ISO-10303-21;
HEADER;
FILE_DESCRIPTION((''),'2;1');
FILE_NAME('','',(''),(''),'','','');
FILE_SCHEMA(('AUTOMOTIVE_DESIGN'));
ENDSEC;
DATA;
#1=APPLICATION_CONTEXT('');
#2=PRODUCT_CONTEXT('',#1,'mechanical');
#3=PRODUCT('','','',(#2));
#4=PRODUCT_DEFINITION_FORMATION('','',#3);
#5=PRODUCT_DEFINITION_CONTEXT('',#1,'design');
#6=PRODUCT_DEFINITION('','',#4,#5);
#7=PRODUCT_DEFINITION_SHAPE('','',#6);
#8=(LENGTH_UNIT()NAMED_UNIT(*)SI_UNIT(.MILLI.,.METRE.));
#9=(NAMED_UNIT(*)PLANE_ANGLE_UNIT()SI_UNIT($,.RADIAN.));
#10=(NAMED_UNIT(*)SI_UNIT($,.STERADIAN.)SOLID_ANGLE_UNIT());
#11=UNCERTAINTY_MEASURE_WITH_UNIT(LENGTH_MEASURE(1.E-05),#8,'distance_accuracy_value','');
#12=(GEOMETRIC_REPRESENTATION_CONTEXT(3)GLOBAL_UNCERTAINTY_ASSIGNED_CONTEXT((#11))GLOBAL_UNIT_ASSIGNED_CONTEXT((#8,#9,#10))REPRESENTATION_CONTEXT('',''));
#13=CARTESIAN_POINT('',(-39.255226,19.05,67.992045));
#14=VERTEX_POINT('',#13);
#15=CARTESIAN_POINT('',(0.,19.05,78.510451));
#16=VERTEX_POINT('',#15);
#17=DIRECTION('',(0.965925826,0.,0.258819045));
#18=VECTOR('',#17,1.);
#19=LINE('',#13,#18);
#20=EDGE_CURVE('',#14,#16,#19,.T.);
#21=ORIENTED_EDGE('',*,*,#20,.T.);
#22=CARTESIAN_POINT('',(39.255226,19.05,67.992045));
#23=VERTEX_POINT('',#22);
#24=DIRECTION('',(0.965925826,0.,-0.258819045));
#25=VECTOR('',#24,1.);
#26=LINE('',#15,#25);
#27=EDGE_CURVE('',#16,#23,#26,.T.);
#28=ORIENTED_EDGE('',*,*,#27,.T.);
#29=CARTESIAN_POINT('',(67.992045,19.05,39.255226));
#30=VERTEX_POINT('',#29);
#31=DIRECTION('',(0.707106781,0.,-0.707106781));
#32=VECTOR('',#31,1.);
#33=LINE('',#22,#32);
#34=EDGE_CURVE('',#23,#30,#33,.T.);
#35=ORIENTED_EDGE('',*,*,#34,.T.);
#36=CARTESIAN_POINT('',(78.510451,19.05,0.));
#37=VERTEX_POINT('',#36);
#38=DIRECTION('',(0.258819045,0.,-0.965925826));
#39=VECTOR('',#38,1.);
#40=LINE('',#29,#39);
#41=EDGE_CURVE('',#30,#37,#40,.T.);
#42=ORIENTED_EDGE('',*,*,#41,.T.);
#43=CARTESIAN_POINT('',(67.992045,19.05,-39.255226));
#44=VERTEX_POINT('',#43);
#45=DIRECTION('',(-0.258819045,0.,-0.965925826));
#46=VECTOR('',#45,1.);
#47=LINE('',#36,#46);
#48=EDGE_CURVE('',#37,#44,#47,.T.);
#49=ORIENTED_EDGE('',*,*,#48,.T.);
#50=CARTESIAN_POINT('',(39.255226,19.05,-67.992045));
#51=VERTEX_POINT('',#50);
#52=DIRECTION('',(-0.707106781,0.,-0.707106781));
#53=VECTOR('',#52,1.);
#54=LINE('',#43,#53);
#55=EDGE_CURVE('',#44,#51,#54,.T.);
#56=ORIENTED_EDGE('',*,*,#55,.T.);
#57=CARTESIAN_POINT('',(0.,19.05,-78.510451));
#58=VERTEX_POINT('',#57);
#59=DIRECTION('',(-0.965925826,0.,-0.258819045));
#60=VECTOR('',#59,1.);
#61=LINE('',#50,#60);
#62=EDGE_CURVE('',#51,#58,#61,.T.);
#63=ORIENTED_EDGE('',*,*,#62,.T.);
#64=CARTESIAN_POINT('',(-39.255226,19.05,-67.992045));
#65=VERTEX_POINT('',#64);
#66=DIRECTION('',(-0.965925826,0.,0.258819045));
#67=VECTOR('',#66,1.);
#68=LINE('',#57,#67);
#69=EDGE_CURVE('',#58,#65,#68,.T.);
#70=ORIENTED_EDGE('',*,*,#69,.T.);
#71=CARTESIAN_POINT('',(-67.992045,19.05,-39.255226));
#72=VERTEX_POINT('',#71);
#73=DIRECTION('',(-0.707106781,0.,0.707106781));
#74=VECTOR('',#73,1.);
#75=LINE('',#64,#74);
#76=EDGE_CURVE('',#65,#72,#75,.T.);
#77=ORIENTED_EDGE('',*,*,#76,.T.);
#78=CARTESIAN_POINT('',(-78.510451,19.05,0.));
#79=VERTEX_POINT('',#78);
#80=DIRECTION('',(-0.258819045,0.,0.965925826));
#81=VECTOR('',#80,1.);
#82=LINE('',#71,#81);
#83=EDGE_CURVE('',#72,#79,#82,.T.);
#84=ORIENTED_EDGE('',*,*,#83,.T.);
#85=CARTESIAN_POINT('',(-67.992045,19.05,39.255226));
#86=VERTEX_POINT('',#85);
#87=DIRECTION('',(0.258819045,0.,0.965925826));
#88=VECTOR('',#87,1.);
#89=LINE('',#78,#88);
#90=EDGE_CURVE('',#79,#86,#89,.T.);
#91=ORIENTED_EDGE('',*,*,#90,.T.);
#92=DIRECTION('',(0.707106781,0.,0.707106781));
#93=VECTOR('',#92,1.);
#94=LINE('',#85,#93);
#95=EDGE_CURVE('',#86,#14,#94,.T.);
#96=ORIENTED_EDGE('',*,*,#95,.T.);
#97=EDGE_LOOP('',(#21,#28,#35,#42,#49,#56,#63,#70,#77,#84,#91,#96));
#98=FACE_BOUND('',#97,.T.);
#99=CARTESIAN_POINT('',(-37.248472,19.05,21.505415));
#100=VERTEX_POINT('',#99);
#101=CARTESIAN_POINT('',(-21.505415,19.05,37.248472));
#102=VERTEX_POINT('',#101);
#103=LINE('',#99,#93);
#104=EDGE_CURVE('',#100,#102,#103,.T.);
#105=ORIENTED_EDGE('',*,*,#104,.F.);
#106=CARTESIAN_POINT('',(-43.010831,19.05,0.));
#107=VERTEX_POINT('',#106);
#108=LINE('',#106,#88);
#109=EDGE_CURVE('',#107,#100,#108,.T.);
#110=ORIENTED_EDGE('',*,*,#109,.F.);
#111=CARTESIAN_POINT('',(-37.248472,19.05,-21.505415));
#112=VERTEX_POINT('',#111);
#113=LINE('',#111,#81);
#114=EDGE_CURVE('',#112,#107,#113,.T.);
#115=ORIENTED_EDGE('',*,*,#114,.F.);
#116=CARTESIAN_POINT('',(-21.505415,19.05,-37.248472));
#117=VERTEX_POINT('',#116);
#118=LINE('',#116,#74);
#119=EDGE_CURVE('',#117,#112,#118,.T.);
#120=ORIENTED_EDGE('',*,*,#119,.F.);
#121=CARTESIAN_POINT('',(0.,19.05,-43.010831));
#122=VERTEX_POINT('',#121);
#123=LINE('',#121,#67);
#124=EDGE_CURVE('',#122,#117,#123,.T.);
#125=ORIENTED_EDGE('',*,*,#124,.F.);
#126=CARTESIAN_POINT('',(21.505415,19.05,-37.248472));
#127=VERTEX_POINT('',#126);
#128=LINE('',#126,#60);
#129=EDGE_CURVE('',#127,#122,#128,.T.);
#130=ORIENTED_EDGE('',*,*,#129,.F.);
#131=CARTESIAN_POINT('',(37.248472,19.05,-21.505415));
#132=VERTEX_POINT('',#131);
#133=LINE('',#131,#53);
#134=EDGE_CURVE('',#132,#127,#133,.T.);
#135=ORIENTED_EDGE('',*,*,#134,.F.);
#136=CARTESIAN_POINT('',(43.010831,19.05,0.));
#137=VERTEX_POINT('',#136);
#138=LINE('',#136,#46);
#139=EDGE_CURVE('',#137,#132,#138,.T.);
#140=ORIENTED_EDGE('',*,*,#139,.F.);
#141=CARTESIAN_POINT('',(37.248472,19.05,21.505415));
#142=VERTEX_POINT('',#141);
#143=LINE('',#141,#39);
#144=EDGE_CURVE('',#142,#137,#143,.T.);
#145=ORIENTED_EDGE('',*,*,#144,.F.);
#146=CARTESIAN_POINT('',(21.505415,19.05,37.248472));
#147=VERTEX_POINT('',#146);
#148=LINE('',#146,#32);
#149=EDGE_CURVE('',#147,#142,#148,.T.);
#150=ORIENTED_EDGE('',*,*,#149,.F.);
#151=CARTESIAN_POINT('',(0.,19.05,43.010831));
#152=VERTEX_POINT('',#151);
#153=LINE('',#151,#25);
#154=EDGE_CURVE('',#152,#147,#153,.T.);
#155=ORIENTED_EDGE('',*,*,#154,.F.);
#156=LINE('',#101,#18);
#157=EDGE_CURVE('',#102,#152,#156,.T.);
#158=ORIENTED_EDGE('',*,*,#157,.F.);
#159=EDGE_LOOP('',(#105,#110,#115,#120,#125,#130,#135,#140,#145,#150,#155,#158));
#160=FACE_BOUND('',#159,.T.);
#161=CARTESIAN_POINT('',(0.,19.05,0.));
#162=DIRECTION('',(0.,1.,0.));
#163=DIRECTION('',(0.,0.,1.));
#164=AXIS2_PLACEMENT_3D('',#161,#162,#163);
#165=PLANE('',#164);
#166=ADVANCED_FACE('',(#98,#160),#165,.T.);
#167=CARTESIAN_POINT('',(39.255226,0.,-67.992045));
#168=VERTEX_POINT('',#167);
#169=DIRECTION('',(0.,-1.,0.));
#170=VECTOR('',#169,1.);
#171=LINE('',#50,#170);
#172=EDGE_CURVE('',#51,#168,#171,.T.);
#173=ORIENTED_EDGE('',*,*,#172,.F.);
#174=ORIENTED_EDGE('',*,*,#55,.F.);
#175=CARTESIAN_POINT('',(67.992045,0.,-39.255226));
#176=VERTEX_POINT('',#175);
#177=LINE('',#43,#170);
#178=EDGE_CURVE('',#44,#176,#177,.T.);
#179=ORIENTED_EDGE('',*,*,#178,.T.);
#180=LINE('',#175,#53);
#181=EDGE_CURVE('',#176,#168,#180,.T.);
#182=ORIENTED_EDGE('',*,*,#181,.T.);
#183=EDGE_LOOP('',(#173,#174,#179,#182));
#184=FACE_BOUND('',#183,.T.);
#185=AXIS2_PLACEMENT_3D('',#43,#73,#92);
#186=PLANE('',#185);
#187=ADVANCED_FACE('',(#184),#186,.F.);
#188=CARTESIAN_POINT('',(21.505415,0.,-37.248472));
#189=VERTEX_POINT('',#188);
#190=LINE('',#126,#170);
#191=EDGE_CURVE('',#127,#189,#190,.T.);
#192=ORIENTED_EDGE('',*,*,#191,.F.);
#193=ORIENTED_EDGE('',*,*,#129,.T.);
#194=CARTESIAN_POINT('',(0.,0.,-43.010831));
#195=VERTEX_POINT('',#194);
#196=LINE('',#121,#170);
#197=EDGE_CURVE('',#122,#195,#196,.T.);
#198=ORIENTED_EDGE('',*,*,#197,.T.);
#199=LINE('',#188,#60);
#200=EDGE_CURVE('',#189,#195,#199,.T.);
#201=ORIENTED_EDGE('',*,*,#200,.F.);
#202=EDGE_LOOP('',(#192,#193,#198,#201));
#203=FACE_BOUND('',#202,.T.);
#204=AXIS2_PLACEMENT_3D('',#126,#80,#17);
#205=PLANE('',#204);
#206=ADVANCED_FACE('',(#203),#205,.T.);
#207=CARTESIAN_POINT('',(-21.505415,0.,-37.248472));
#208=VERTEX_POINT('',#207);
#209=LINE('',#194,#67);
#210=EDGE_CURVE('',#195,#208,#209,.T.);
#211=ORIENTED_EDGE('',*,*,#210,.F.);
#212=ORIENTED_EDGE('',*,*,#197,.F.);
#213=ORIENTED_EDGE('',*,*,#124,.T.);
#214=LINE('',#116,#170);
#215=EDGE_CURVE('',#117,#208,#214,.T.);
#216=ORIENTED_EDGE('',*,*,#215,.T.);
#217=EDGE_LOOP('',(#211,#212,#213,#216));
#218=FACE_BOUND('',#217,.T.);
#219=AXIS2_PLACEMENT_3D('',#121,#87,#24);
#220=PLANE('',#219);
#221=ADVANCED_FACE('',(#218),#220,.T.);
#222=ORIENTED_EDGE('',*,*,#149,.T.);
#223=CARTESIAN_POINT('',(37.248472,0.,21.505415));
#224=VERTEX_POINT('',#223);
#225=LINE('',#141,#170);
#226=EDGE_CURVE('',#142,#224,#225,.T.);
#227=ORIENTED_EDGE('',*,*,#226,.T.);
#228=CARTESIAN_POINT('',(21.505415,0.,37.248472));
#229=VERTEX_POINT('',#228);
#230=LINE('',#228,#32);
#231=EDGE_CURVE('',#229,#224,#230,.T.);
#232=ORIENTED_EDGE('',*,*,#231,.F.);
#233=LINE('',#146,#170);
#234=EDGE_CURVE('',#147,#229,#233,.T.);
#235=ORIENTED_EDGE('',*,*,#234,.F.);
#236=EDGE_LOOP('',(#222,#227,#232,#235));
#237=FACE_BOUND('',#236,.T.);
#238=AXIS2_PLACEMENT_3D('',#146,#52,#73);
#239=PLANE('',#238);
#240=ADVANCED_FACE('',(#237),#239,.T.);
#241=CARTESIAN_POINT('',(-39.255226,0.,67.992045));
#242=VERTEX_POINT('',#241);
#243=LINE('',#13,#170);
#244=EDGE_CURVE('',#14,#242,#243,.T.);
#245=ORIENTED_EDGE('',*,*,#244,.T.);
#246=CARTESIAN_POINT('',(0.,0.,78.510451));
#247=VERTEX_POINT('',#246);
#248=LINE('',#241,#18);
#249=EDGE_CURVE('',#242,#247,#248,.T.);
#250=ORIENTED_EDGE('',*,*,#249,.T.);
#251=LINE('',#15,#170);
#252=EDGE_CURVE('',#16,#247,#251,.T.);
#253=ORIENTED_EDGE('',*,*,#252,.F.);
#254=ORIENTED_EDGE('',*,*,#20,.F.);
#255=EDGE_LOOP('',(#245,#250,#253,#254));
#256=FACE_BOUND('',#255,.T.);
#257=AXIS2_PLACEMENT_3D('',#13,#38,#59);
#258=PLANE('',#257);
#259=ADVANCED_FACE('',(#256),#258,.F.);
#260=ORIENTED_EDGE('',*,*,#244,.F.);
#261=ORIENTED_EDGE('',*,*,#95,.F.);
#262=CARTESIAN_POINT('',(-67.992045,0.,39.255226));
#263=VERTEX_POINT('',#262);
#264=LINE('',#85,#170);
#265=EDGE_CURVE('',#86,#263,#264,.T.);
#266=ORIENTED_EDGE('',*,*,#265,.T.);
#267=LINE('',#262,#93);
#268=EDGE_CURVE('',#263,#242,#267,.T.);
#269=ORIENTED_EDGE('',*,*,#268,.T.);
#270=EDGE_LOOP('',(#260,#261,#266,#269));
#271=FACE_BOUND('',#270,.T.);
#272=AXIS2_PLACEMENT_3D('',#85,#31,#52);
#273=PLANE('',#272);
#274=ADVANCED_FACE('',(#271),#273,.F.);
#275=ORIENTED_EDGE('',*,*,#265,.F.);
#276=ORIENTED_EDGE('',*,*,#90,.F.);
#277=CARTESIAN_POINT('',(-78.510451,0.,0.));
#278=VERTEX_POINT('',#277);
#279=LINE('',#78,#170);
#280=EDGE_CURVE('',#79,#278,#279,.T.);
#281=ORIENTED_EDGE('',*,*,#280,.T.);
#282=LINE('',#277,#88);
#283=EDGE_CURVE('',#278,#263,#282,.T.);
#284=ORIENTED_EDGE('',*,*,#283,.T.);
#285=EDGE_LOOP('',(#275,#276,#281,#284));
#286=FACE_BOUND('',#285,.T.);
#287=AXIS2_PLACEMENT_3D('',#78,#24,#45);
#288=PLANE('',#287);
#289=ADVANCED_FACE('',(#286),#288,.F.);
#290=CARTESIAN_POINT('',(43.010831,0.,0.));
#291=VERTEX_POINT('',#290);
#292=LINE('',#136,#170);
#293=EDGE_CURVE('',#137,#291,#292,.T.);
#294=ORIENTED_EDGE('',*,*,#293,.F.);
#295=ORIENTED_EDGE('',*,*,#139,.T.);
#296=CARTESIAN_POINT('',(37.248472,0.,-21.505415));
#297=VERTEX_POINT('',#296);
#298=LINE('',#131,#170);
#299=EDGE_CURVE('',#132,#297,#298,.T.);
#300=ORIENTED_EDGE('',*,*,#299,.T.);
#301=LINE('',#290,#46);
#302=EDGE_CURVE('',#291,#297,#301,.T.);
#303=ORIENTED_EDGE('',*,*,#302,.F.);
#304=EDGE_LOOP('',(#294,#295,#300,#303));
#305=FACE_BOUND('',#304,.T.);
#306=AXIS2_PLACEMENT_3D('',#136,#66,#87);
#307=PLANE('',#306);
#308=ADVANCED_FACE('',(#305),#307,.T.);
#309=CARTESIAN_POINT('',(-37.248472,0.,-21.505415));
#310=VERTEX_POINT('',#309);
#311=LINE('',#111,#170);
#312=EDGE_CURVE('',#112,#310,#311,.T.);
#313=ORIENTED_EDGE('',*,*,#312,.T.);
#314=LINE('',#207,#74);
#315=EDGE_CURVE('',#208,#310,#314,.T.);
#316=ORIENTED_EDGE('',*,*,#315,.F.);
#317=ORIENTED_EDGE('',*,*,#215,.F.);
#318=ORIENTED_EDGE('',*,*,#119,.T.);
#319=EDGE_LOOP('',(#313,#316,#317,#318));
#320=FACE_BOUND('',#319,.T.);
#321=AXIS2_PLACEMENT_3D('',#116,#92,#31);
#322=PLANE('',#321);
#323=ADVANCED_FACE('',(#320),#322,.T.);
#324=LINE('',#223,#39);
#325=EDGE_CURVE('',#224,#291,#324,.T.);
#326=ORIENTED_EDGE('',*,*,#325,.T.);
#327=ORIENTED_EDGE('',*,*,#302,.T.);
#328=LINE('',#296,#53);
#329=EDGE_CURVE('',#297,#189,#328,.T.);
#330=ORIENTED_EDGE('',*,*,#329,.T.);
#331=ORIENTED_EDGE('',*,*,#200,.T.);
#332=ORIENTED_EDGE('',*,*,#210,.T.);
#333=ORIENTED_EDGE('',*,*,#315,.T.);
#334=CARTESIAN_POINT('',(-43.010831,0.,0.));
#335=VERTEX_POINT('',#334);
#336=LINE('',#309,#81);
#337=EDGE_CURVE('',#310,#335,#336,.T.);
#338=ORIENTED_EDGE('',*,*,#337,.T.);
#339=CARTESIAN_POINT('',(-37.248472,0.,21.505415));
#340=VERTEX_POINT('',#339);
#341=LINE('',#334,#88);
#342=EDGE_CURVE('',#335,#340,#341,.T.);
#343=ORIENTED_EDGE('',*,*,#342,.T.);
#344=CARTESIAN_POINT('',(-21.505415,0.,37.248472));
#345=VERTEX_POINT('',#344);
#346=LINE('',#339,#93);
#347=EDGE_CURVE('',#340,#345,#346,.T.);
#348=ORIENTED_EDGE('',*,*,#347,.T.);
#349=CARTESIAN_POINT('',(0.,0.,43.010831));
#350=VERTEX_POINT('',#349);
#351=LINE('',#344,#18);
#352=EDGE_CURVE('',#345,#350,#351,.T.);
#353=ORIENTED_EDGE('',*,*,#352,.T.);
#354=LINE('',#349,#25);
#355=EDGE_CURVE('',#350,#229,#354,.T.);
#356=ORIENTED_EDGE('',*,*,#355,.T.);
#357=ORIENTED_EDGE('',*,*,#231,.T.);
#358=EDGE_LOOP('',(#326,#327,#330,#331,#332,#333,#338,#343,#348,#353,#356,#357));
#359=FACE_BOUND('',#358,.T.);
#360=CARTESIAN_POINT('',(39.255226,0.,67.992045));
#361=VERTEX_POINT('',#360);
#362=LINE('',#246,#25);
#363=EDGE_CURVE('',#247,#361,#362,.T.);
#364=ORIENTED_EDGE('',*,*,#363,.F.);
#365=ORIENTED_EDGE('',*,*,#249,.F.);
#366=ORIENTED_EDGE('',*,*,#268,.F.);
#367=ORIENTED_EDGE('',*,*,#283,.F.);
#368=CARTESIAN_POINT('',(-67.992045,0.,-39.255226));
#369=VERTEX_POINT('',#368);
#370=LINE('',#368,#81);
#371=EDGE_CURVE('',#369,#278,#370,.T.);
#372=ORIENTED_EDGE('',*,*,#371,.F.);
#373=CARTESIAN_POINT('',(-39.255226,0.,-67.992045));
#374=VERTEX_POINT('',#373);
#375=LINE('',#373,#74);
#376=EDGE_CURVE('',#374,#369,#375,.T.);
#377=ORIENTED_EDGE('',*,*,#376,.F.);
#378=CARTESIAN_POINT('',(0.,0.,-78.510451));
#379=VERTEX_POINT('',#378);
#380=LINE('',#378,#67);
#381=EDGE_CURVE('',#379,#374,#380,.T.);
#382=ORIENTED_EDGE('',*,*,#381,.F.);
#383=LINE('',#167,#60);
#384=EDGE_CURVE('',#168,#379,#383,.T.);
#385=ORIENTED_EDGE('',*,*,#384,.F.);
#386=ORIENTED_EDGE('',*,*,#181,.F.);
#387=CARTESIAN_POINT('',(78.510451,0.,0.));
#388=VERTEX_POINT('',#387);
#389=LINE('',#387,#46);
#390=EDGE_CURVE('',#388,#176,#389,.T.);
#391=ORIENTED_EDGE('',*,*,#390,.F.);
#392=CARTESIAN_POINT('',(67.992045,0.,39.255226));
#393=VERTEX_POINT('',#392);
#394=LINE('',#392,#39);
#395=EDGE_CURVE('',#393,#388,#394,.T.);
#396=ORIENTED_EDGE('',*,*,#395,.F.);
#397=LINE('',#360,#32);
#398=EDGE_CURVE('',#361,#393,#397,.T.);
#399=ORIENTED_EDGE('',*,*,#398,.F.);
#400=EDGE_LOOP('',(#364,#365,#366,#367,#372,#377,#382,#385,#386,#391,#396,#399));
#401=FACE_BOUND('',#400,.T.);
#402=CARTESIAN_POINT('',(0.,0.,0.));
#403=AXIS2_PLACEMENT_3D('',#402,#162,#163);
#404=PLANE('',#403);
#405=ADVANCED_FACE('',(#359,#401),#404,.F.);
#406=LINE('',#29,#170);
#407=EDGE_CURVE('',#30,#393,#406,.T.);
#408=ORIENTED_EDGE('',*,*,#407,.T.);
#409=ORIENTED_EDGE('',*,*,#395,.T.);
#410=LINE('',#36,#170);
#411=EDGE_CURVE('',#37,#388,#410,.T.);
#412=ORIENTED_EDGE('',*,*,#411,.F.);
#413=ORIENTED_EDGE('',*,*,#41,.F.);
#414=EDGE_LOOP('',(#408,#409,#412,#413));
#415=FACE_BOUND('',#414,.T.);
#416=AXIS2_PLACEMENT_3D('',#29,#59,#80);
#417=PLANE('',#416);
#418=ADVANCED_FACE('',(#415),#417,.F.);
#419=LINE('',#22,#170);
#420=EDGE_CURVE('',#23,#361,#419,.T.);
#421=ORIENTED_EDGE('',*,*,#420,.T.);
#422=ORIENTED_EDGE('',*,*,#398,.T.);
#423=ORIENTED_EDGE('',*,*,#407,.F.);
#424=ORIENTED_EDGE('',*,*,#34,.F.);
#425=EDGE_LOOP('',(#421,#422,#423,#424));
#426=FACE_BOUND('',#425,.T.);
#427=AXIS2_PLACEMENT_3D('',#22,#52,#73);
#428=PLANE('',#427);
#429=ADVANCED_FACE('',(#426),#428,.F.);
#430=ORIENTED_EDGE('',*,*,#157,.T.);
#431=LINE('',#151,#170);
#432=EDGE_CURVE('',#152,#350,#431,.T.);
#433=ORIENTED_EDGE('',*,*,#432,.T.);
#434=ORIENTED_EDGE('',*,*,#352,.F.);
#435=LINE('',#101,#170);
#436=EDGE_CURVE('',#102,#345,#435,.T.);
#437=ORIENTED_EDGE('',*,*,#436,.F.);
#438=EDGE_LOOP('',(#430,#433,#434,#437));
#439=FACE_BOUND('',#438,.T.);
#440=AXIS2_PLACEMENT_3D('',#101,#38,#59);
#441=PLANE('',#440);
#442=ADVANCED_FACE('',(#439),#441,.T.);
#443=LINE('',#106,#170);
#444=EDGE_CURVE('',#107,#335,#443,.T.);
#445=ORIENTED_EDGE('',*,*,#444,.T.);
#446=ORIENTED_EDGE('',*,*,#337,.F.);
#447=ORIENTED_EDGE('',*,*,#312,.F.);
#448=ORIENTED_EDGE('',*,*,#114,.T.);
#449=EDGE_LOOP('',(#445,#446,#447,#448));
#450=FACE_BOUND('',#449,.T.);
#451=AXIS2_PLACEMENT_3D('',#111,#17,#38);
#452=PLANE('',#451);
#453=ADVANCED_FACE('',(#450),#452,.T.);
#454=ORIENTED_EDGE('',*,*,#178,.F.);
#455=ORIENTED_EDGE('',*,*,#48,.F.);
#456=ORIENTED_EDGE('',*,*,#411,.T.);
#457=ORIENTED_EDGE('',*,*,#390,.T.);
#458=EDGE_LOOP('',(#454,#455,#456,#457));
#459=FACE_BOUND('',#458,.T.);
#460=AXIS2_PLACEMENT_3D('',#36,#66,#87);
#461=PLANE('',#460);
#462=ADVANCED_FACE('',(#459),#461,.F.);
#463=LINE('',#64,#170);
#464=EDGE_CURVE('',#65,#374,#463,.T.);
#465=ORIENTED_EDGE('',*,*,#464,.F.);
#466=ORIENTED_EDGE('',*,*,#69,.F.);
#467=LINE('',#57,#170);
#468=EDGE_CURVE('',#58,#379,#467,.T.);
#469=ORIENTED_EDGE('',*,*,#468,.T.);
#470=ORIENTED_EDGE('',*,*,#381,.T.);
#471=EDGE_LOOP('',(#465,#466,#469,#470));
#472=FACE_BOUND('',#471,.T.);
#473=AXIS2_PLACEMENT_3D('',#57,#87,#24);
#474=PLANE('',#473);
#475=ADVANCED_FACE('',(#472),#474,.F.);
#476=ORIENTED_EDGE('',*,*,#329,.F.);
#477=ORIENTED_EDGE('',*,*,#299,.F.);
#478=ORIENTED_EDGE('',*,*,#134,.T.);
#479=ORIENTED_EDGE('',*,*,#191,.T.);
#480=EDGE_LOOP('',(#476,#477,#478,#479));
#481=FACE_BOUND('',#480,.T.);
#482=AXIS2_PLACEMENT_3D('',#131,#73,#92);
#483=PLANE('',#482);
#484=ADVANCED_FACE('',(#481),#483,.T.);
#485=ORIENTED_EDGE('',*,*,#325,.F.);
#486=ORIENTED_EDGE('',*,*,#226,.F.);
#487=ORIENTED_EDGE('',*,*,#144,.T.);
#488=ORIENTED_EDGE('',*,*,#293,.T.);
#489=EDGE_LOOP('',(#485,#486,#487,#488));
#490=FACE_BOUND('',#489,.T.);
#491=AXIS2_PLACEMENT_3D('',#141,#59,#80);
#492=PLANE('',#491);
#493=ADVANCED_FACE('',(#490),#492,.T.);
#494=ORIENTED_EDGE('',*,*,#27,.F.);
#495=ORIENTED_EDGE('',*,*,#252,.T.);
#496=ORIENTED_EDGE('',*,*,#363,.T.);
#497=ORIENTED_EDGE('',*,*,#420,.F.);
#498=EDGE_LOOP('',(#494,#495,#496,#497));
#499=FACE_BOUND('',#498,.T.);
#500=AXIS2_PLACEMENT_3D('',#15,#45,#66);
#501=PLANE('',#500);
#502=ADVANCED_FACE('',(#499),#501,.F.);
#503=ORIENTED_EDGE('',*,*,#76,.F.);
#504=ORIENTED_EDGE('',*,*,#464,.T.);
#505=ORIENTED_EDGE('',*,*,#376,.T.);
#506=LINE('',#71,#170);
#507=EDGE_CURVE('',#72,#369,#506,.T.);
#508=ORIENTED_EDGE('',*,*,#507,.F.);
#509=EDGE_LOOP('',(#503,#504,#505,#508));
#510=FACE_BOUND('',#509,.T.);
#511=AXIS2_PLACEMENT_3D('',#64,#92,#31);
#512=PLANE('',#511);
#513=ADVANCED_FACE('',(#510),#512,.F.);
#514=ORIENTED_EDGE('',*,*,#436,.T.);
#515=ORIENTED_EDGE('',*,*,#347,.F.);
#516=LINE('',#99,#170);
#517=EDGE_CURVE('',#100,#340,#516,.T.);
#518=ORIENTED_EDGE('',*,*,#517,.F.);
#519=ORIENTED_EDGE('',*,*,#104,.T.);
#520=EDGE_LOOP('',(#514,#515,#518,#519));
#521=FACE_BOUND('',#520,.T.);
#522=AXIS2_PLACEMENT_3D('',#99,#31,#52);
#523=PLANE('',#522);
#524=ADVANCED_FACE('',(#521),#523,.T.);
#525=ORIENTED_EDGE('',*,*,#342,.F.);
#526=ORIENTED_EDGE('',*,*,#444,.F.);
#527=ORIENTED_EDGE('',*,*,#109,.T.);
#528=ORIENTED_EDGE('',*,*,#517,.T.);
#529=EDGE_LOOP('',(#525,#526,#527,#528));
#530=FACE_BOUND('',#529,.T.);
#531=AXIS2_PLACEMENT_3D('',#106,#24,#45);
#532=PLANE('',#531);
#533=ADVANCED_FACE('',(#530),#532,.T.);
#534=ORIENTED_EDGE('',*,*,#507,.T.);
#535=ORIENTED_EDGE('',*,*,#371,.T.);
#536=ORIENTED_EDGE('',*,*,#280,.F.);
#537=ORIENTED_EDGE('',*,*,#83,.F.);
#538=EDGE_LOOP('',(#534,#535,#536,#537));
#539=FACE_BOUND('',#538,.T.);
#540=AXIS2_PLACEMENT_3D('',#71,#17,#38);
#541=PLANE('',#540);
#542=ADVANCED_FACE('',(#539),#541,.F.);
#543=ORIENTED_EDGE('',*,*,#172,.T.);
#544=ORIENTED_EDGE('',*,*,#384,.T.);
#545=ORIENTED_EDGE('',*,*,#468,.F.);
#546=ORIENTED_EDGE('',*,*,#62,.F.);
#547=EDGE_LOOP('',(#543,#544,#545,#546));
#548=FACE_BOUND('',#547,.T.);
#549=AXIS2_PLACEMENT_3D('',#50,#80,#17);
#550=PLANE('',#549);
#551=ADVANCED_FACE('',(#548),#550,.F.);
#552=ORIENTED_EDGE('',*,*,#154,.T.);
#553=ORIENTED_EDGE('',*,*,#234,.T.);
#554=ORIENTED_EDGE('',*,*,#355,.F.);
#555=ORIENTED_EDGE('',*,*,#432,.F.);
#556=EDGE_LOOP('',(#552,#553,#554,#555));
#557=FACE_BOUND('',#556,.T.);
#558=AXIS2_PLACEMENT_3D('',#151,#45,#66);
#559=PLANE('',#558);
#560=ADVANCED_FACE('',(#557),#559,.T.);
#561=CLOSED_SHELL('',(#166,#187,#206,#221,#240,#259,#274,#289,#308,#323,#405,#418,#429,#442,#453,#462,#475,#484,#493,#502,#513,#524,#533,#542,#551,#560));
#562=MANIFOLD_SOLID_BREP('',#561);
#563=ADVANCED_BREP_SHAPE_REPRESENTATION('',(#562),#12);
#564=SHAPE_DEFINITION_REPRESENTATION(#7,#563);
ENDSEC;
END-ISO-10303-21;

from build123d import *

# Parameters (mm, degrees)
BOSS_EXTRUDE1_DEPTH = 19.05


with BuildPart() as part:
    # Sketch1 → Boss-Extrude1 (new body)
    with BuildSketch(Plane(origin=(0, 0, 0), x_dir=(1, 0, 0), z_dir=(0, 1, 0))):
        Polygon((78.510451161, 0), (67.992045168, 39.25522558), (39.25522558, 67.992045168), (0, 78.510451161), (-39.25522558, 67.992045168), (-67.992045168, 39.25522558), (-78.510451161, 0), (-67.992045168, -39.25522558), (-39.25522558, -67.992045168), (0, -78.510451161), (39.25522558, -67.992045168), (67.992045168, -39.25522558), align=None)
        Polygon((43.010830935, 0), (37.248472227, 21.505415467), (21.505415467, 37.248472227), (0, 43.010830935), (-21.505415467, 37.248472227), (-37.248472227, 21.505415467), (-43.010830935, 0), (-37.248472227, -21.505415467), (-21.505415467, -37.248472227), (0, -43.010830935), (21.505415467, -37.248472227), (37.248472227, -21.505415467), align=None, mode=Mode.SUBTRACT)
    extrude(amount=BOSS_EXTRUDE1_DEPTH)


solid = part.part
